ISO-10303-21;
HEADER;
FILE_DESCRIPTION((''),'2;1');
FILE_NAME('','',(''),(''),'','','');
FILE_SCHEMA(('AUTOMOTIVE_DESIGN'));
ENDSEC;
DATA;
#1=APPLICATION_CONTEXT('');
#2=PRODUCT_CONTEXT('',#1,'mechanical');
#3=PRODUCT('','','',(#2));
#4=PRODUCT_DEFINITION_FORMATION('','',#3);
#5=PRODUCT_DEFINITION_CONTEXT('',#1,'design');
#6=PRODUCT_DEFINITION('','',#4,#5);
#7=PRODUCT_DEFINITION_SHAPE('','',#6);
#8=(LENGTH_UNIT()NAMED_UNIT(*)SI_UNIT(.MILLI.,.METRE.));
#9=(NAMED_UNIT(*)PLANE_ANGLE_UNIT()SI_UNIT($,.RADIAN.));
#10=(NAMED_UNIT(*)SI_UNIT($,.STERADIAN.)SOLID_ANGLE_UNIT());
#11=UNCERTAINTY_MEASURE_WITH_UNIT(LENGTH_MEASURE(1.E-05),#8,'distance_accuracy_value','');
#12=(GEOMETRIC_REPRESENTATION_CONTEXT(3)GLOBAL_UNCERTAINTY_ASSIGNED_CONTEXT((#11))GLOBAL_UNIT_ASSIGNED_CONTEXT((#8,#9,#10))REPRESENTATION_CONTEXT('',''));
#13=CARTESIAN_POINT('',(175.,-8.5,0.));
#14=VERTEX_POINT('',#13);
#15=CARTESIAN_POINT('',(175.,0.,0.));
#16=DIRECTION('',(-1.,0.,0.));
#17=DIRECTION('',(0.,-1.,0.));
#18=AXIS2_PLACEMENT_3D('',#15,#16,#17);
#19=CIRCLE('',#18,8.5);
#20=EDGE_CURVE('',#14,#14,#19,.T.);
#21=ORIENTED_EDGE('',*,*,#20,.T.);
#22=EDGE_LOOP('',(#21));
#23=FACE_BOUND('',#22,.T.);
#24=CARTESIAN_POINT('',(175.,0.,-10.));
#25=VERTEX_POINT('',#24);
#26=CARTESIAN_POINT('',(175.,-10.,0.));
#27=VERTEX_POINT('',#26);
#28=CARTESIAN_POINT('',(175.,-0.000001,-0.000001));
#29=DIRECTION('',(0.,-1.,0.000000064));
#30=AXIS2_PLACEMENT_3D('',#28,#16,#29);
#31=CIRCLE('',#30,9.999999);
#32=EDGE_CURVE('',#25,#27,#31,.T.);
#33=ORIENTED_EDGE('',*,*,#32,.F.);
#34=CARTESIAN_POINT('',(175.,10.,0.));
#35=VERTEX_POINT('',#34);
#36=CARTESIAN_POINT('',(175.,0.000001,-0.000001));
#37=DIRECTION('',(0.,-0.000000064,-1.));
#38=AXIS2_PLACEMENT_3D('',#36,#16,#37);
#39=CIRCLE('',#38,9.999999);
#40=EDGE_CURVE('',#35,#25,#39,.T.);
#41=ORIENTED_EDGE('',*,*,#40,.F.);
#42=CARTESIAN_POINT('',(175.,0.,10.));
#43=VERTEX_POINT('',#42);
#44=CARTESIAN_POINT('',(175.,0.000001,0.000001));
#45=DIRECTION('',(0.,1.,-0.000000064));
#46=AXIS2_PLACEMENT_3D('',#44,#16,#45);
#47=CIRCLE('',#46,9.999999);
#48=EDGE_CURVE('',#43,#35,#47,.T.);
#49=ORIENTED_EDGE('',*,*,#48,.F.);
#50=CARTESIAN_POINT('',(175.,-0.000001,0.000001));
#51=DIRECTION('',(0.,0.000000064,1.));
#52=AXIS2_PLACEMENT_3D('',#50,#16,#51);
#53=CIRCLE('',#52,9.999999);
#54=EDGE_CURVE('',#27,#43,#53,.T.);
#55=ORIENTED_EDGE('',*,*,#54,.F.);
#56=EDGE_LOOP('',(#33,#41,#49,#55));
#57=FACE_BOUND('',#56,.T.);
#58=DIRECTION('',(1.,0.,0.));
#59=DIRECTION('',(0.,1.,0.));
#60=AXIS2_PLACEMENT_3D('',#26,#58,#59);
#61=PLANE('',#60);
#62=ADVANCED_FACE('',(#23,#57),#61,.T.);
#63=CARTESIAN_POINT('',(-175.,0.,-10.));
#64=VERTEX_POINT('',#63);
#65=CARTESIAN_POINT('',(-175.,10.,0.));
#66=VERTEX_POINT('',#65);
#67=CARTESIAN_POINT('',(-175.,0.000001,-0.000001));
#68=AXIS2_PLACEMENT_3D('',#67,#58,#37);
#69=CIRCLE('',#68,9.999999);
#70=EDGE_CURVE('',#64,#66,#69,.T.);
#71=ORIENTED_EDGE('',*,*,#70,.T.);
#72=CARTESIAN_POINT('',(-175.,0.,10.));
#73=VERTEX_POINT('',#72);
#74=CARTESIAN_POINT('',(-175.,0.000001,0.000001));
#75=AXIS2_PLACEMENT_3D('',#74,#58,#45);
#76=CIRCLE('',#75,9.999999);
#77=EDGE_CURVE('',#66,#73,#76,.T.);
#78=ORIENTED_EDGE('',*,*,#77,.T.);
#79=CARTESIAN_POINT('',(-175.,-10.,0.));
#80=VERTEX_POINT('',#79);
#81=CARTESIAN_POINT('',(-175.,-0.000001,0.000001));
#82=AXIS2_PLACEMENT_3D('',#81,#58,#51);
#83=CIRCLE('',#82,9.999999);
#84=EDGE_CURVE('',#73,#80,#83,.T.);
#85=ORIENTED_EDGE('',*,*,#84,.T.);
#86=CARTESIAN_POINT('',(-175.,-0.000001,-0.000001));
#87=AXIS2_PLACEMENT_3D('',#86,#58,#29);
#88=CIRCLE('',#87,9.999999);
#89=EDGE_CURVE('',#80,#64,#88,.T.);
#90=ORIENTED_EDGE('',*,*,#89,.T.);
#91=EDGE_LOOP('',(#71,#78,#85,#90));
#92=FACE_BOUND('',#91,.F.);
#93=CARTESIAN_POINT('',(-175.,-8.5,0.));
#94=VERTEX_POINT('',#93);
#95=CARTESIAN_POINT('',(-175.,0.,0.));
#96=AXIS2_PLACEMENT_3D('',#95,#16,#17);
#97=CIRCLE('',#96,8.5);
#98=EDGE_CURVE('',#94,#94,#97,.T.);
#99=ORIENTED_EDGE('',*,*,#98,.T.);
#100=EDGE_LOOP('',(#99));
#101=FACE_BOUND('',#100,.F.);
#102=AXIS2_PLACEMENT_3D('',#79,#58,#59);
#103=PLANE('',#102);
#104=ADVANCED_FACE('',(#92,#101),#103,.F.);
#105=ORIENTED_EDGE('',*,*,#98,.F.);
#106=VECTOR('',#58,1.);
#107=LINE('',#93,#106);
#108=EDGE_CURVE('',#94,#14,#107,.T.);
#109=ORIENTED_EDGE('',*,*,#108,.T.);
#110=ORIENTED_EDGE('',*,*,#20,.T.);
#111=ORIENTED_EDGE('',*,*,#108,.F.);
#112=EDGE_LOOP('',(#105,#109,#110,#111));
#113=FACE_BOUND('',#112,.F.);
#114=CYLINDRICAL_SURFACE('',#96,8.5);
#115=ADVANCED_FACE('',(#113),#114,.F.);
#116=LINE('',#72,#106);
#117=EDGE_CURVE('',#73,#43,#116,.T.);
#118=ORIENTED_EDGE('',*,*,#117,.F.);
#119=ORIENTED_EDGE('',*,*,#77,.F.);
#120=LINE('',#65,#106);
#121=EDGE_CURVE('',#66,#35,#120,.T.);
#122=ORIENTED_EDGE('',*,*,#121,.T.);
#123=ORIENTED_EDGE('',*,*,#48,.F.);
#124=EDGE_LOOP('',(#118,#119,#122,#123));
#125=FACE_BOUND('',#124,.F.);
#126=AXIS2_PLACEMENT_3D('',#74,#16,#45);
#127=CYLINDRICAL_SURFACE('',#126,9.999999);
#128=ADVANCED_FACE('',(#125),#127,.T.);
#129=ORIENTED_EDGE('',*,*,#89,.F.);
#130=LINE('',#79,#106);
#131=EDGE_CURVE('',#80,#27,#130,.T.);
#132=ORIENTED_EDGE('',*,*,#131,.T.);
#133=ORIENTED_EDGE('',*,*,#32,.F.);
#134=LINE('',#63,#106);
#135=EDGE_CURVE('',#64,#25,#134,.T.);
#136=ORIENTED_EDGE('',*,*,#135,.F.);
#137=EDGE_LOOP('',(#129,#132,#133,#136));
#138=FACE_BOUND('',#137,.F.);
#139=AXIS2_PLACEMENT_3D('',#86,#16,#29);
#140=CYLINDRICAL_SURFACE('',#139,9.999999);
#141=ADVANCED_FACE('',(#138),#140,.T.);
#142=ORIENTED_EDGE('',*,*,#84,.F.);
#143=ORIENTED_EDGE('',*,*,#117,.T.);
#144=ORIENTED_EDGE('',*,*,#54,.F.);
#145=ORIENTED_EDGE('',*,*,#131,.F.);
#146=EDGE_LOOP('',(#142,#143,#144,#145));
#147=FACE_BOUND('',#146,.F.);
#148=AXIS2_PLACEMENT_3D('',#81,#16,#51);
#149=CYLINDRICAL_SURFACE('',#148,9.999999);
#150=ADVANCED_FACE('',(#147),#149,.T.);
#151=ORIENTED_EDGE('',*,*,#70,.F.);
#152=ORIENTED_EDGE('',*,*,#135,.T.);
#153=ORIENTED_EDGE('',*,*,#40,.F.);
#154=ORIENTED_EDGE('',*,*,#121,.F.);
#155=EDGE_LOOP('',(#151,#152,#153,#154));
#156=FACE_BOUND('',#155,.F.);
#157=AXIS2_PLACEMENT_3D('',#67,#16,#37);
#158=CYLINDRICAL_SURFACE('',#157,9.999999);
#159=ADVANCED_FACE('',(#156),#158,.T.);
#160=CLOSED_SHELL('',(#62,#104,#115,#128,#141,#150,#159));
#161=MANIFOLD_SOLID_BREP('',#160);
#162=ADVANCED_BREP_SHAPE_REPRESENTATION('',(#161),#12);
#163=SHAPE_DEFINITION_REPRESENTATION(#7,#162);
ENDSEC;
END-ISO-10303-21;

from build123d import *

# Parameters (mm, degrees)
F0_W          = 350
F0_H          = 20
F1_DEPTH      = 10
F1_DEPTH_BACK = 10
F2_R          = 8.5
F3_DEPTH      = 355.6


with BuildPart() as f1:
    # F0 (on Top) → F1 (new body, two sides)
    with BuildSketch(Plane.XY) as f1_sk:
        Rectangle(F0_W, F0_H)
    extrude(amount=F1_DEPTH)
    extrude(f1_sk.sketch, amount=-F1_DEPTH_BACK)

    # F2 (on face) → F3 (cut)
    with BuildSketch(Plane(origin=(-175, 0, 0), x_dir=(0, -1, 0), z_dir=(-1, 0, 0))):
        with BuildLine():
            ThreePointArc((0, 10), (7.071068, 7.071068), (10, 0))
            Line((10, 0), (10, 10))
            Line((10, 10), (0, 10))
        make_face()
        with BuildLine():
            Line((10, -10), (10, 0))
            ThreePointArc((10, 0), (7.071068, -7.071068), (0, -10))
            Line((0, -10), (10, -10))
        make_face()
        with BuildLine():
            ThreePointArc((-10, 0), (-7.071068, 7.071068), (0, 10))
            Line((0, 10), (-10, 10))
            Line((-10, 10), (-10, 0))
        make_face()
        with BuildLine():
            Line((-10, -10), (0, -10))
            ThreePointArc((0, -10), (-7.071068, -7.071068), (-10, 0))
            Line((-10, 0), (-10, -10))
        make_face()
        Circle(F2_R)
    extrude(amount=-F3_DEPTH, mode=Mode.SUBTRACT)


solid = f1.part
